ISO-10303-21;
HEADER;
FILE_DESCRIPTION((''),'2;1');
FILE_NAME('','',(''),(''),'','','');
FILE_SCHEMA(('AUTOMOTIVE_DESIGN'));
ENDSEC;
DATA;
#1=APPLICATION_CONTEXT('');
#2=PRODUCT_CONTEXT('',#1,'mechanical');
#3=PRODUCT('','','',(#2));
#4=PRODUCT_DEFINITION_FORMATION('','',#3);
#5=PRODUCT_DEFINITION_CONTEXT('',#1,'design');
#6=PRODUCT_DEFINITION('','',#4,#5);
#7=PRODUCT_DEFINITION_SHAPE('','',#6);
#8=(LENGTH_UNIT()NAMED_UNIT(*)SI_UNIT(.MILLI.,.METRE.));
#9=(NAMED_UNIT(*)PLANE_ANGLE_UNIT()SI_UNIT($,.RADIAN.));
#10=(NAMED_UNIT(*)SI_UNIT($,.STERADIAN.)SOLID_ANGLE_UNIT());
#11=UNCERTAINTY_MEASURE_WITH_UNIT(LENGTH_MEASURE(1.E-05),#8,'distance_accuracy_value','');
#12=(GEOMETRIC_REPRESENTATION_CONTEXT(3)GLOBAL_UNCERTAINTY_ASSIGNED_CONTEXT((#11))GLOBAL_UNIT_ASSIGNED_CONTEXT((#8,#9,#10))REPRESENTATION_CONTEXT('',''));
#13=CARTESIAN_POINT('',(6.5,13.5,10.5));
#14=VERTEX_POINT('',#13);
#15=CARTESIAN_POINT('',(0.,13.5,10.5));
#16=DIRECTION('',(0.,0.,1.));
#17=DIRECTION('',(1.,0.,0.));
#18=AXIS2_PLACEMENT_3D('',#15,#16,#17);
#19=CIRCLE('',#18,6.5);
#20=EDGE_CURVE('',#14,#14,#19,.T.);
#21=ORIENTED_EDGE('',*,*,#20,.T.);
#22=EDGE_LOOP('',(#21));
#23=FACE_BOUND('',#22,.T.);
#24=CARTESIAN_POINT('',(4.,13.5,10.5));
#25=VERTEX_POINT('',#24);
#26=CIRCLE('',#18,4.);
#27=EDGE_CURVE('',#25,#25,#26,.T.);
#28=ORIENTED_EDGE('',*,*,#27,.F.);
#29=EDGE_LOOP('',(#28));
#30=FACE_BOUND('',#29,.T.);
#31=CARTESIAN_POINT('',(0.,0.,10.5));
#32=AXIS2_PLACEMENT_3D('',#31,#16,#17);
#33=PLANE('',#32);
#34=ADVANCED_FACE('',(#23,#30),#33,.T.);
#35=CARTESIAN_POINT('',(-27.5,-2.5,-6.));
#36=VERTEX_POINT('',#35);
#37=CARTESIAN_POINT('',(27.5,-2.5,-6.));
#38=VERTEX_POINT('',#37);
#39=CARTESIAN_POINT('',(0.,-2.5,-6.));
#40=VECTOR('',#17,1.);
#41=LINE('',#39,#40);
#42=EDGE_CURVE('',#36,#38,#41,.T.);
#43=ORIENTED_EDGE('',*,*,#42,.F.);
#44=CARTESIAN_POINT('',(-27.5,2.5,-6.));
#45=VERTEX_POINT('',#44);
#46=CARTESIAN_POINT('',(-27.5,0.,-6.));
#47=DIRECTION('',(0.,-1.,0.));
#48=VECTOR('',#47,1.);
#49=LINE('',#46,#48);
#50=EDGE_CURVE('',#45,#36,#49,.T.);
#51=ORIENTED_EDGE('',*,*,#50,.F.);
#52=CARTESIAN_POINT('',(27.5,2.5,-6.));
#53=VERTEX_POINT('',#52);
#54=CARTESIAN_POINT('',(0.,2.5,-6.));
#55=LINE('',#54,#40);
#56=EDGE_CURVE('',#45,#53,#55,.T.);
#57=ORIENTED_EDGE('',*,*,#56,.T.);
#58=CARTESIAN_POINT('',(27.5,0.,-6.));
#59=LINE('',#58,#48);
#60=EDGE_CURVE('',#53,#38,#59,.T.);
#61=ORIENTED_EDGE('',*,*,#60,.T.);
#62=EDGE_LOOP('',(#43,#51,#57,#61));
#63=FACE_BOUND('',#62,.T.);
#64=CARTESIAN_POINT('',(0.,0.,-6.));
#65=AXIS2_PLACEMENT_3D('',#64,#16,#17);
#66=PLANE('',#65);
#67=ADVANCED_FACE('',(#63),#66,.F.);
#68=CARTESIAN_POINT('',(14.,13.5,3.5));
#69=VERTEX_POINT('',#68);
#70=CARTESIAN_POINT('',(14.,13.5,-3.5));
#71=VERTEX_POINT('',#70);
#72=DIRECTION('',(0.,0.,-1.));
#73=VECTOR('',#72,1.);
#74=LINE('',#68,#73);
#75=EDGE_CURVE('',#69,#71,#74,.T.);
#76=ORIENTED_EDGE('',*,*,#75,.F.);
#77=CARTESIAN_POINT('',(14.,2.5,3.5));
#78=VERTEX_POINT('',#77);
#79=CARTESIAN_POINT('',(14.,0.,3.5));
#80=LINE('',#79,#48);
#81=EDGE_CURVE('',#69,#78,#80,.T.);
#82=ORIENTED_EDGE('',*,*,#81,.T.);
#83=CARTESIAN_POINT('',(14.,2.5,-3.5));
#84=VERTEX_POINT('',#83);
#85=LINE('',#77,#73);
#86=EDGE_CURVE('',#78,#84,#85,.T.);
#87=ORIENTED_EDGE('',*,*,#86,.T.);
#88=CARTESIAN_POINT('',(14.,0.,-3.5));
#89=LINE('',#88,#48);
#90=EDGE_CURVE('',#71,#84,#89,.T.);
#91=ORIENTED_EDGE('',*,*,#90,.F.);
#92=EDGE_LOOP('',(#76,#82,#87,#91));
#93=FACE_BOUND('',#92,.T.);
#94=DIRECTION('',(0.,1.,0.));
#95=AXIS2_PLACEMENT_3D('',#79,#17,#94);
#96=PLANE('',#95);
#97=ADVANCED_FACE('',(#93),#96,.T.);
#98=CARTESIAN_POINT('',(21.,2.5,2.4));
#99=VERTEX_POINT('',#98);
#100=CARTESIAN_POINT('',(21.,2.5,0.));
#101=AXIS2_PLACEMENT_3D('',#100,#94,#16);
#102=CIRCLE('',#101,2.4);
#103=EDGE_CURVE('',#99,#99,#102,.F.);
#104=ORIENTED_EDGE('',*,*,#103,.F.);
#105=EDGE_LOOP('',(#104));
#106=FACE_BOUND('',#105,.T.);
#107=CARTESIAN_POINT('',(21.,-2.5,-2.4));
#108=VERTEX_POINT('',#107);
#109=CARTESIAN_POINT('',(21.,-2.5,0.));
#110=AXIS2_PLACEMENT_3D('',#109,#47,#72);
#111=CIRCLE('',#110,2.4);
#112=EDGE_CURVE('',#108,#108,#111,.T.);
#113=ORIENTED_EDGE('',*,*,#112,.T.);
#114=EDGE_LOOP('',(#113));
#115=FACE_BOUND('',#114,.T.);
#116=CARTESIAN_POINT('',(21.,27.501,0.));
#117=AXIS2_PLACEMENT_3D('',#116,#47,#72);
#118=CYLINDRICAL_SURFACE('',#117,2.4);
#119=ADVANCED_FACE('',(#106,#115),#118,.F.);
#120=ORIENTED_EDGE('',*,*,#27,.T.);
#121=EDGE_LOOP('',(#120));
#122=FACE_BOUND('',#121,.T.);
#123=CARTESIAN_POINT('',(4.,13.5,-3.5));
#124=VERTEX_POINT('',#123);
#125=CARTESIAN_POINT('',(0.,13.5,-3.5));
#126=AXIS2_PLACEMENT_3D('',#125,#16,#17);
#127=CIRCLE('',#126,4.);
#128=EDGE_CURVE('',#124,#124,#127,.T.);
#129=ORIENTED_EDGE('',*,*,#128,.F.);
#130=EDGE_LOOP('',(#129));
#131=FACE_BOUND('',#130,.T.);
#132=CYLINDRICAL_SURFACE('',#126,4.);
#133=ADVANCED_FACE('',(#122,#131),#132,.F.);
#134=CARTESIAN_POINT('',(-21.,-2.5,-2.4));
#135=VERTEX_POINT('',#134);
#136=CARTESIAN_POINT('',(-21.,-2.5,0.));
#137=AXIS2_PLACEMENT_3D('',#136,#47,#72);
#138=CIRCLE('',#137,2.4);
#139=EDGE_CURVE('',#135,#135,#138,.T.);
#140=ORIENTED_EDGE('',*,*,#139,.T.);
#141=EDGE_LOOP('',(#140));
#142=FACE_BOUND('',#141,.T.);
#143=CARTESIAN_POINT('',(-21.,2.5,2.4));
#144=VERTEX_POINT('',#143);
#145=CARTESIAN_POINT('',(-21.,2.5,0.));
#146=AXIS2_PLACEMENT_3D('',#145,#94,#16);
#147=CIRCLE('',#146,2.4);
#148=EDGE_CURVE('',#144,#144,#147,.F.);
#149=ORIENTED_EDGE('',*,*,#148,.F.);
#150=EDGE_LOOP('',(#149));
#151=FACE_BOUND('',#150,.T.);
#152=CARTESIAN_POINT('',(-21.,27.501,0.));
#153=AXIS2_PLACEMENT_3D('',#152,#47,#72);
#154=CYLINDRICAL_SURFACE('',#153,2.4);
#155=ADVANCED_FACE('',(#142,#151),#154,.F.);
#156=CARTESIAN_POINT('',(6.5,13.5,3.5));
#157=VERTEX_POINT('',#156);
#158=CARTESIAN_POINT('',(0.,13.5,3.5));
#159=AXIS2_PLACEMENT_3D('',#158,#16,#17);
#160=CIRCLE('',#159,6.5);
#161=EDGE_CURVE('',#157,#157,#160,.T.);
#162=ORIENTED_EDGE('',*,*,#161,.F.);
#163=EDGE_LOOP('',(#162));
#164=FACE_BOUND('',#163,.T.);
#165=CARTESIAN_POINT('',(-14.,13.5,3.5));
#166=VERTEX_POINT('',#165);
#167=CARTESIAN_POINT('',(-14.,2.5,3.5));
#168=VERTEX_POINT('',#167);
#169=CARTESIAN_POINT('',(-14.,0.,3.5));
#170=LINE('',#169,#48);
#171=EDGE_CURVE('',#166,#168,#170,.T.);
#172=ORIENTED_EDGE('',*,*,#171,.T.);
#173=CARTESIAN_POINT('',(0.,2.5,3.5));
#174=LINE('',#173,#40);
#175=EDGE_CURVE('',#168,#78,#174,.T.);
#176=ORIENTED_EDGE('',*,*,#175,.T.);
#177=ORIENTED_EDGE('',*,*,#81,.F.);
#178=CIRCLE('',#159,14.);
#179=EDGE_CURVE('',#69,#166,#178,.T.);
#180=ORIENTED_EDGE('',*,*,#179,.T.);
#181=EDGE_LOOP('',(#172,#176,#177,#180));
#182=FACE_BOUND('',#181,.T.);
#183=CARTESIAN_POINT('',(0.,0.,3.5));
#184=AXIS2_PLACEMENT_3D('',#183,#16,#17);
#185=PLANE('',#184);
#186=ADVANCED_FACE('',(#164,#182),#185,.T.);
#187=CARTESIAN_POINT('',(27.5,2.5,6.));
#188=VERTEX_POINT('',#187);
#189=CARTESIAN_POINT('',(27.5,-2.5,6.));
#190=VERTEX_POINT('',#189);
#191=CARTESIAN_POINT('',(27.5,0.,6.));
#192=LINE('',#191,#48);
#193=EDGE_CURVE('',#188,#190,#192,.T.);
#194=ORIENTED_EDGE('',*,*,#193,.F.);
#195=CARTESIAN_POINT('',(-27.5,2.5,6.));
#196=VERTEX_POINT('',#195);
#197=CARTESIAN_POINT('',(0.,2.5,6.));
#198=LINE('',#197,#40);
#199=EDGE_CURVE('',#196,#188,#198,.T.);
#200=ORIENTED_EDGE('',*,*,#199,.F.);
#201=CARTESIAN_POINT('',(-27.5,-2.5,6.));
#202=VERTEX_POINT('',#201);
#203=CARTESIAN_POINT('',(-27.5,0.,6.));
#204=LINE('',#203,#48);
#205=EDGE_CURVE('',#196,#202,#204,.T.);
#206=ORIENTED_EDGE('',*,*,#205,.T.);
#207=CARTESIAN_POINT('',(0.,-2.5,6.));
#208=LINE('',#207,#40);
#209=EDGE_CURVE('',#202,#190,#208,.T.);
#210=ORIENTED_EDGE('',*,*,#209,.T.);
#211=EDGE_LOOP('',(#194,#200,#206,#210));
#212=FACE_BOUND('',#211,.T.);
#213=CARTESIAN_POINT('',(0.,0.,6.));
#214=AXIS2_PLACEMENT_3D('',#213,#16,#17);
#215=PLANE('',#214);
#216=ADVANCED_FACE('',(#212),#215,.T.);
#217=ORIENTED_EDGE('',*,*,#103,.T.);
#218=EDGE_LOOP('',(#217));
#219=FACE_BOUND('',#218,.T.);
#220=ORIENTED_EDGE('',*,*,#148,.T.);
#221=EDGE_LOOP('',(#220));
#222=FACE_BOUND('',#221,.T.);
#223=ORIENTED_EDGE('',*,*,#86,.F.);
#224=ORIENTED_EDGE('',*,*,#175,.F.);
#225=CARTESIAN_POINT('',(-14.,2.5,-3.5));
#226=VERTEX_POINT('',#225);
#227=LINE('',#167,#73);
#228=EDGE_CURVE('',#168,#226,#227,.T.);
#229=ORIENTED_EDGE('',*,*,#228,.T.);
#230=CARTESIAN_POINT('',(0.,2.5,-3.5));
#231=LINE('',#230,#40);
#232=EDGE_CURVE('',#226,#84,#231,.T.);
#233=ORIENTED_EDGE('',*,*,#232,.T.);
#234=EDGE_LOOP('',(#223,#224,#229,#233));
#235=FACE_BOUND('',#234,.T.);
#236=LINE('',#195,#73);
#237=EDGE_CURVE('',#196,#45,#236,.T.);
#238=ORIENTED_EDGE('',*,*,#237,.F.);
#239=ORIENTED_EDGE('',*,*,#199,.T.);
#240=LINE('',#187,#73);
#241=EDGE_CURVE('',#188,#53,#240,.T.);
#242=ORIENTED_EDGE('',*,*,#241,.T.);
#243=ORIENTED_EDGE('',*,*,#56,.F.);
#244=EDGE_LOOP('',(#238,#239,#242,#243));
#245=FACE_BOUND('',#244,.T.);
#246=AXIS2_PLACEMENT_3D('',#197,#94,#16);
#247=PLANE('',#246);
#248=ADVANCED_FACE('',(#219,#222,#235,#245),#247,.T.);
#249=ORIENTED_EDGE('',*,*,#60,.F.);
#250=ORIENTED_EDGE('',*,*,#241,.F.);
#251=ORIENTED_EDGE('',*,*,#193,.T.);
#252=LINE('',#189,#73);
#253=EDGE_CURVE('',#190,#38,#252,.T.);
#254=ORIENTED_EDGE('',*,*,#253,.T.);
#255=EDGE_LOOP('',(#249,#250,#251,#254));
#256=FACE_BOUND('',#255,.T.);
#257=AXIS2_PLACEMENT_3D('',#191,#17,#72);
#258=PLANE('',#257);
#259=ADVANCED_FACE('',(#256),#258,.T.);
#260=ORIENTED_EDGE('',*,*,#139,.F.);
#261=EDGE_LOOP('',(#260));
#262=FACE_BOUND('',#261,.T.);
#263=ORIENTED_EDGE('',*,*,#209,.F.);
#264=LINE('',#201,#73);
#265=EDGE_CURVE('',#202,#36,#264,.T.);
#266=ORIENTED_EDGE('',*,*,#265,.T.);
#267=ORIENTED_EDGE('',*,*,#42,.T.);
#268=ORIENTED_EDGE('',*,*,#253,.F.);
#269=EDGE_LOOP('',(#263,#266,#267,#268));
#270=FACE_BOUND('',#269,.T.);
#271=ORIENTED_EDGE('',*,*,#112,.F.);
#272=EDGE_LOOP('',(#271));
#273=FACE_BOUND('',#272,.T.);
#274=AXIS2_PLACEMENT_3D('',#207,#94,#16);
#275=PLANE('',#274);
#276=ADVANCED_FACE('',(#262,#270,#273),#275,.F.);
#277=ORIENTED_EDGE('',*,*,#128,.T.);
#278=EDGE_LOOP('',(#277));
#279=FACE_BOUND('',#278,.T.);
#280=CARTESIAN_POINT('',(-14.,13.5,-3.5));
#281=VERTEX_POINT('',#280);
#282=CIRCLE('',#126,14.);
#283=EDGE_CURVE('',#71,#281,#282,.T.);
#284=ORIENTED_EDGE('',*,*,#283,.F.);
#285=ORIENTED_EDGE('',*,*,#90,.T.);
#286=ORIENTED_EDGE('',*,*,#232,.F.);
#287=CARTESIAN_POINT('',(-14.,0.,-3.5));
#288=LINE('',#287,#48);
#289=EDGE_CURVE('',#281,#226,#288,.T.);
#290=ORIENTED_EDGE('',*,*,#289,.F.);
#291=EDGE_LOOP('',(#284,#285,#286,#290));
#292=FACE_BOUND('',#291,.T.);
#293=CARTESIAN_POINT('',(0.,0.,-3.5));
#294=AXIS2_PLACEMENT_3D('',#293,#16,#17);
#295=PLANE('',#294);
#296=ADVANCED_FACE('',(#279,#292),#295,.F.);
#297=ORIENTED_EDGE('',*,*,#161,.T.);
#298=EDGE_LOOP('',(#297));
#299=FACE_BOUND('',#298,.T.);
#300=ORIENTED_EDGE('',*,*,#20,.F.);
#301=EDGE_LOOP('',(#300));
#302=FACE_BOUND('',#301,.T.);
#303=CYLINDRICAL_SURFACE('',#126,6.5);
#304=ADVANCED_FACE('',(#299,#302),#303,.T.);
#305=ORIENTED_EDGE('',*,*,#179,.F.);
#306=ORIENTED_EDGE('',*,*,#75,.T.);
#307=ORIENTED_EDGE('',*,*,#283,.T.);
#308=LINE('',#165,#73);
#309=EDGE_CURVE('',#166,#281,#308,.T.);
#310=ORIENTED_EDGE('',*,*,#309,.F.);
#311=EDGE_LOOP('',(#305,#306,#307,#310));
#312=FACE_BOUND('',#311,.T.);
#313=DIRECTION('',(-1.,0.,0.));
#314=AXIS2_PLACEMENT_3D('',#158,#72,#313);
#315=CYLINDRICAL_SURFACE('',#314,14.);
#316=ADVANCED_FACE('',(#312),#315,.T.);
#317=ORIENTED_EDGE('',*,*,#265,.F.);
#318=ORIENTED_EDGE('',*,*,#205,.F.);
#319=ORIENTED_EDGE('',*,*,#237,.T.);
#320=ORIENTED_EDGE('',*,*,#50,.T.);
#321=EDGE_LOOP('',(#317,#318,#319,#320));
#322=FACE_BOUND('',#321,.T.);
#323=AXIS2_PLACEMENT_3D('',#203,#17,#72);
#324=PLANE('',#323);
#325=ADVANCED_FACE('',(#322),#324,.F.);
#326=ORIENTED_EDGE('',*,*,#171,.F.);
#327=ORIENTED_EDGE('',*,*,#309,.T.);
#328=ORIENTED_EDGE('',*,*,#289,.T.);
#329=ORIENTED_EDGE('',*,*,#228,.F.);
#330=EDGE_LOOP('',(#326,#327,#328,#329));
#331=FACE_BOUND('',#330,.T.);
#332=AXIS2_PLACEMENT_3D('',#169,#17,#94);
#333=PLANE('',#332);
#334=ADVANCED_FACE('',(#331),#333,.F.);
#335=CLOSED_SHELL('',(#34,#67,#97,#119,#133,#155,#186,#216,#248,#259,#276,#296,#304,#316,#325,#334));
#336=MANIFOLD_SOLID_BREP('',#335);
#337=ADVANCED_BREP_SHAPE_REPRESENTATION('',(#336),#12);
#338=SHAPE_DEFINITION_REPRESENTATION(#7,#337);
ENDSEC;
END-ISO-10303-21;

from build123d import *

# Parameters (mm, degrees)
BOSS_EXTRUDE1_DEPTH      = 6
SKETCH1_4_R              = 6.5
BOSS_EXTRUDE2_DEPTH      = 3.5
BOSS_EXTRUDE3_DEPTH      = 10.5
BOSS_EXTRUDE3_DEPTH_BACK = 3.5
SKETCH1_5_R              = 6.5
SKETCH1_5_R_2            = 4
CUT_EXTRUDE1_REACH       = 44.03
SKETCH2_R                = 2.4


with BuildPart() as part:
    # Sketch1 → Boss-Extrude1 (new, symmetric)
    with BuildSketch(Plane.XY):
        Polygon((-14, 2.5), (-27.5, 2.5), (-27.5, -2.5), (27.5, -2.5), (27.5, 2.5), (14, 2.5), (8.660254038, 2.5), (-8.660254038, 2.5), align=None)
    extrude(amount=BOSS_EXTRUDE1_DEPTH, both=True)

    # Sketch1<4> → Boss-Extrude2 (add, symmetric)
    with BuildSketch(Plane.XY):
        with BuildLine():
            Line((-14, 13.5), (-14, 2.5))
            Line((-14, 2.5), (14, 2.5))
            Line((14, 2.5), (14, 13.5))
            ThreePointArc((14, 13.5), (0, 27.5), (-14, 13.5))
        make_face()
        with Locations((0, 13.5)):
            Circle(SKETCH1_4_R, mode=Mode.SUBTRACT)
    extrude(amount=BOSS_EXTRUDE2_DEPTH, both=True)

    # Sketch1<5> → Boss-Extrude3 (add, two sides: drawn at the far end of the back side and taken through both)
    with BuildSketch(Plane.XY.offset(-BOSS_EXTRUDE3_DEPTH_BACK)):
        with Locations((0, 13.5)):
            Circle(SKETCH1_5_R)
        with Locations((0, 13.5)):
            Circle(SKETCH1_5_R_2, mode=Mode.SUBTRACT)
    extrude(amount=BOSS_EXTRUDE3_DEPTH + BOSS_EXTRUDE3_DEPTH_BACK)

    # Sketch2 → Cut-Extrude1 (cut, up to next)
    with BuildSketch(Plane.XZ.offset(2.5), mode=Mode.PRIVATE) as cut_extrude1_sk1:
        with Locations((21, 0)):
            Circle(SKETCH2_R)
    cut_extrude1_tool1 = extrude(cut_extrude1_sk1.sketch, amount=-CUT_EXTRUDE1_REACH, mode=Mode.PRIVATE) & part.part
    # Sketch2 → Cut-Extrude1 (cut, up to next)
    with BuildSketch(Plane.XZ.offset(2.5), mode=Mode.PRIVATE) as cut_extrude1_sk2:
        with Locations((-21, 0)):
            Circle(SKETCH2_R)
    cut_extrude1_tool2 = extrude(cut_extrude1_sk2.sketch, amount=-CUT_EXTRUDE1_REACH, mode=Mode.PRIVATE) & part.part
    add(cut_extrude1_tool1.solids().sort_by_distance((21, -2.5, 0))[0], mode=Mode.SUBTRACT)
    add(cut_extrude1_tool2.solids().sort_by_distance((-21, -2.5, 0))[0], mode=Mode.SUBTRACT)


solid = part.part
